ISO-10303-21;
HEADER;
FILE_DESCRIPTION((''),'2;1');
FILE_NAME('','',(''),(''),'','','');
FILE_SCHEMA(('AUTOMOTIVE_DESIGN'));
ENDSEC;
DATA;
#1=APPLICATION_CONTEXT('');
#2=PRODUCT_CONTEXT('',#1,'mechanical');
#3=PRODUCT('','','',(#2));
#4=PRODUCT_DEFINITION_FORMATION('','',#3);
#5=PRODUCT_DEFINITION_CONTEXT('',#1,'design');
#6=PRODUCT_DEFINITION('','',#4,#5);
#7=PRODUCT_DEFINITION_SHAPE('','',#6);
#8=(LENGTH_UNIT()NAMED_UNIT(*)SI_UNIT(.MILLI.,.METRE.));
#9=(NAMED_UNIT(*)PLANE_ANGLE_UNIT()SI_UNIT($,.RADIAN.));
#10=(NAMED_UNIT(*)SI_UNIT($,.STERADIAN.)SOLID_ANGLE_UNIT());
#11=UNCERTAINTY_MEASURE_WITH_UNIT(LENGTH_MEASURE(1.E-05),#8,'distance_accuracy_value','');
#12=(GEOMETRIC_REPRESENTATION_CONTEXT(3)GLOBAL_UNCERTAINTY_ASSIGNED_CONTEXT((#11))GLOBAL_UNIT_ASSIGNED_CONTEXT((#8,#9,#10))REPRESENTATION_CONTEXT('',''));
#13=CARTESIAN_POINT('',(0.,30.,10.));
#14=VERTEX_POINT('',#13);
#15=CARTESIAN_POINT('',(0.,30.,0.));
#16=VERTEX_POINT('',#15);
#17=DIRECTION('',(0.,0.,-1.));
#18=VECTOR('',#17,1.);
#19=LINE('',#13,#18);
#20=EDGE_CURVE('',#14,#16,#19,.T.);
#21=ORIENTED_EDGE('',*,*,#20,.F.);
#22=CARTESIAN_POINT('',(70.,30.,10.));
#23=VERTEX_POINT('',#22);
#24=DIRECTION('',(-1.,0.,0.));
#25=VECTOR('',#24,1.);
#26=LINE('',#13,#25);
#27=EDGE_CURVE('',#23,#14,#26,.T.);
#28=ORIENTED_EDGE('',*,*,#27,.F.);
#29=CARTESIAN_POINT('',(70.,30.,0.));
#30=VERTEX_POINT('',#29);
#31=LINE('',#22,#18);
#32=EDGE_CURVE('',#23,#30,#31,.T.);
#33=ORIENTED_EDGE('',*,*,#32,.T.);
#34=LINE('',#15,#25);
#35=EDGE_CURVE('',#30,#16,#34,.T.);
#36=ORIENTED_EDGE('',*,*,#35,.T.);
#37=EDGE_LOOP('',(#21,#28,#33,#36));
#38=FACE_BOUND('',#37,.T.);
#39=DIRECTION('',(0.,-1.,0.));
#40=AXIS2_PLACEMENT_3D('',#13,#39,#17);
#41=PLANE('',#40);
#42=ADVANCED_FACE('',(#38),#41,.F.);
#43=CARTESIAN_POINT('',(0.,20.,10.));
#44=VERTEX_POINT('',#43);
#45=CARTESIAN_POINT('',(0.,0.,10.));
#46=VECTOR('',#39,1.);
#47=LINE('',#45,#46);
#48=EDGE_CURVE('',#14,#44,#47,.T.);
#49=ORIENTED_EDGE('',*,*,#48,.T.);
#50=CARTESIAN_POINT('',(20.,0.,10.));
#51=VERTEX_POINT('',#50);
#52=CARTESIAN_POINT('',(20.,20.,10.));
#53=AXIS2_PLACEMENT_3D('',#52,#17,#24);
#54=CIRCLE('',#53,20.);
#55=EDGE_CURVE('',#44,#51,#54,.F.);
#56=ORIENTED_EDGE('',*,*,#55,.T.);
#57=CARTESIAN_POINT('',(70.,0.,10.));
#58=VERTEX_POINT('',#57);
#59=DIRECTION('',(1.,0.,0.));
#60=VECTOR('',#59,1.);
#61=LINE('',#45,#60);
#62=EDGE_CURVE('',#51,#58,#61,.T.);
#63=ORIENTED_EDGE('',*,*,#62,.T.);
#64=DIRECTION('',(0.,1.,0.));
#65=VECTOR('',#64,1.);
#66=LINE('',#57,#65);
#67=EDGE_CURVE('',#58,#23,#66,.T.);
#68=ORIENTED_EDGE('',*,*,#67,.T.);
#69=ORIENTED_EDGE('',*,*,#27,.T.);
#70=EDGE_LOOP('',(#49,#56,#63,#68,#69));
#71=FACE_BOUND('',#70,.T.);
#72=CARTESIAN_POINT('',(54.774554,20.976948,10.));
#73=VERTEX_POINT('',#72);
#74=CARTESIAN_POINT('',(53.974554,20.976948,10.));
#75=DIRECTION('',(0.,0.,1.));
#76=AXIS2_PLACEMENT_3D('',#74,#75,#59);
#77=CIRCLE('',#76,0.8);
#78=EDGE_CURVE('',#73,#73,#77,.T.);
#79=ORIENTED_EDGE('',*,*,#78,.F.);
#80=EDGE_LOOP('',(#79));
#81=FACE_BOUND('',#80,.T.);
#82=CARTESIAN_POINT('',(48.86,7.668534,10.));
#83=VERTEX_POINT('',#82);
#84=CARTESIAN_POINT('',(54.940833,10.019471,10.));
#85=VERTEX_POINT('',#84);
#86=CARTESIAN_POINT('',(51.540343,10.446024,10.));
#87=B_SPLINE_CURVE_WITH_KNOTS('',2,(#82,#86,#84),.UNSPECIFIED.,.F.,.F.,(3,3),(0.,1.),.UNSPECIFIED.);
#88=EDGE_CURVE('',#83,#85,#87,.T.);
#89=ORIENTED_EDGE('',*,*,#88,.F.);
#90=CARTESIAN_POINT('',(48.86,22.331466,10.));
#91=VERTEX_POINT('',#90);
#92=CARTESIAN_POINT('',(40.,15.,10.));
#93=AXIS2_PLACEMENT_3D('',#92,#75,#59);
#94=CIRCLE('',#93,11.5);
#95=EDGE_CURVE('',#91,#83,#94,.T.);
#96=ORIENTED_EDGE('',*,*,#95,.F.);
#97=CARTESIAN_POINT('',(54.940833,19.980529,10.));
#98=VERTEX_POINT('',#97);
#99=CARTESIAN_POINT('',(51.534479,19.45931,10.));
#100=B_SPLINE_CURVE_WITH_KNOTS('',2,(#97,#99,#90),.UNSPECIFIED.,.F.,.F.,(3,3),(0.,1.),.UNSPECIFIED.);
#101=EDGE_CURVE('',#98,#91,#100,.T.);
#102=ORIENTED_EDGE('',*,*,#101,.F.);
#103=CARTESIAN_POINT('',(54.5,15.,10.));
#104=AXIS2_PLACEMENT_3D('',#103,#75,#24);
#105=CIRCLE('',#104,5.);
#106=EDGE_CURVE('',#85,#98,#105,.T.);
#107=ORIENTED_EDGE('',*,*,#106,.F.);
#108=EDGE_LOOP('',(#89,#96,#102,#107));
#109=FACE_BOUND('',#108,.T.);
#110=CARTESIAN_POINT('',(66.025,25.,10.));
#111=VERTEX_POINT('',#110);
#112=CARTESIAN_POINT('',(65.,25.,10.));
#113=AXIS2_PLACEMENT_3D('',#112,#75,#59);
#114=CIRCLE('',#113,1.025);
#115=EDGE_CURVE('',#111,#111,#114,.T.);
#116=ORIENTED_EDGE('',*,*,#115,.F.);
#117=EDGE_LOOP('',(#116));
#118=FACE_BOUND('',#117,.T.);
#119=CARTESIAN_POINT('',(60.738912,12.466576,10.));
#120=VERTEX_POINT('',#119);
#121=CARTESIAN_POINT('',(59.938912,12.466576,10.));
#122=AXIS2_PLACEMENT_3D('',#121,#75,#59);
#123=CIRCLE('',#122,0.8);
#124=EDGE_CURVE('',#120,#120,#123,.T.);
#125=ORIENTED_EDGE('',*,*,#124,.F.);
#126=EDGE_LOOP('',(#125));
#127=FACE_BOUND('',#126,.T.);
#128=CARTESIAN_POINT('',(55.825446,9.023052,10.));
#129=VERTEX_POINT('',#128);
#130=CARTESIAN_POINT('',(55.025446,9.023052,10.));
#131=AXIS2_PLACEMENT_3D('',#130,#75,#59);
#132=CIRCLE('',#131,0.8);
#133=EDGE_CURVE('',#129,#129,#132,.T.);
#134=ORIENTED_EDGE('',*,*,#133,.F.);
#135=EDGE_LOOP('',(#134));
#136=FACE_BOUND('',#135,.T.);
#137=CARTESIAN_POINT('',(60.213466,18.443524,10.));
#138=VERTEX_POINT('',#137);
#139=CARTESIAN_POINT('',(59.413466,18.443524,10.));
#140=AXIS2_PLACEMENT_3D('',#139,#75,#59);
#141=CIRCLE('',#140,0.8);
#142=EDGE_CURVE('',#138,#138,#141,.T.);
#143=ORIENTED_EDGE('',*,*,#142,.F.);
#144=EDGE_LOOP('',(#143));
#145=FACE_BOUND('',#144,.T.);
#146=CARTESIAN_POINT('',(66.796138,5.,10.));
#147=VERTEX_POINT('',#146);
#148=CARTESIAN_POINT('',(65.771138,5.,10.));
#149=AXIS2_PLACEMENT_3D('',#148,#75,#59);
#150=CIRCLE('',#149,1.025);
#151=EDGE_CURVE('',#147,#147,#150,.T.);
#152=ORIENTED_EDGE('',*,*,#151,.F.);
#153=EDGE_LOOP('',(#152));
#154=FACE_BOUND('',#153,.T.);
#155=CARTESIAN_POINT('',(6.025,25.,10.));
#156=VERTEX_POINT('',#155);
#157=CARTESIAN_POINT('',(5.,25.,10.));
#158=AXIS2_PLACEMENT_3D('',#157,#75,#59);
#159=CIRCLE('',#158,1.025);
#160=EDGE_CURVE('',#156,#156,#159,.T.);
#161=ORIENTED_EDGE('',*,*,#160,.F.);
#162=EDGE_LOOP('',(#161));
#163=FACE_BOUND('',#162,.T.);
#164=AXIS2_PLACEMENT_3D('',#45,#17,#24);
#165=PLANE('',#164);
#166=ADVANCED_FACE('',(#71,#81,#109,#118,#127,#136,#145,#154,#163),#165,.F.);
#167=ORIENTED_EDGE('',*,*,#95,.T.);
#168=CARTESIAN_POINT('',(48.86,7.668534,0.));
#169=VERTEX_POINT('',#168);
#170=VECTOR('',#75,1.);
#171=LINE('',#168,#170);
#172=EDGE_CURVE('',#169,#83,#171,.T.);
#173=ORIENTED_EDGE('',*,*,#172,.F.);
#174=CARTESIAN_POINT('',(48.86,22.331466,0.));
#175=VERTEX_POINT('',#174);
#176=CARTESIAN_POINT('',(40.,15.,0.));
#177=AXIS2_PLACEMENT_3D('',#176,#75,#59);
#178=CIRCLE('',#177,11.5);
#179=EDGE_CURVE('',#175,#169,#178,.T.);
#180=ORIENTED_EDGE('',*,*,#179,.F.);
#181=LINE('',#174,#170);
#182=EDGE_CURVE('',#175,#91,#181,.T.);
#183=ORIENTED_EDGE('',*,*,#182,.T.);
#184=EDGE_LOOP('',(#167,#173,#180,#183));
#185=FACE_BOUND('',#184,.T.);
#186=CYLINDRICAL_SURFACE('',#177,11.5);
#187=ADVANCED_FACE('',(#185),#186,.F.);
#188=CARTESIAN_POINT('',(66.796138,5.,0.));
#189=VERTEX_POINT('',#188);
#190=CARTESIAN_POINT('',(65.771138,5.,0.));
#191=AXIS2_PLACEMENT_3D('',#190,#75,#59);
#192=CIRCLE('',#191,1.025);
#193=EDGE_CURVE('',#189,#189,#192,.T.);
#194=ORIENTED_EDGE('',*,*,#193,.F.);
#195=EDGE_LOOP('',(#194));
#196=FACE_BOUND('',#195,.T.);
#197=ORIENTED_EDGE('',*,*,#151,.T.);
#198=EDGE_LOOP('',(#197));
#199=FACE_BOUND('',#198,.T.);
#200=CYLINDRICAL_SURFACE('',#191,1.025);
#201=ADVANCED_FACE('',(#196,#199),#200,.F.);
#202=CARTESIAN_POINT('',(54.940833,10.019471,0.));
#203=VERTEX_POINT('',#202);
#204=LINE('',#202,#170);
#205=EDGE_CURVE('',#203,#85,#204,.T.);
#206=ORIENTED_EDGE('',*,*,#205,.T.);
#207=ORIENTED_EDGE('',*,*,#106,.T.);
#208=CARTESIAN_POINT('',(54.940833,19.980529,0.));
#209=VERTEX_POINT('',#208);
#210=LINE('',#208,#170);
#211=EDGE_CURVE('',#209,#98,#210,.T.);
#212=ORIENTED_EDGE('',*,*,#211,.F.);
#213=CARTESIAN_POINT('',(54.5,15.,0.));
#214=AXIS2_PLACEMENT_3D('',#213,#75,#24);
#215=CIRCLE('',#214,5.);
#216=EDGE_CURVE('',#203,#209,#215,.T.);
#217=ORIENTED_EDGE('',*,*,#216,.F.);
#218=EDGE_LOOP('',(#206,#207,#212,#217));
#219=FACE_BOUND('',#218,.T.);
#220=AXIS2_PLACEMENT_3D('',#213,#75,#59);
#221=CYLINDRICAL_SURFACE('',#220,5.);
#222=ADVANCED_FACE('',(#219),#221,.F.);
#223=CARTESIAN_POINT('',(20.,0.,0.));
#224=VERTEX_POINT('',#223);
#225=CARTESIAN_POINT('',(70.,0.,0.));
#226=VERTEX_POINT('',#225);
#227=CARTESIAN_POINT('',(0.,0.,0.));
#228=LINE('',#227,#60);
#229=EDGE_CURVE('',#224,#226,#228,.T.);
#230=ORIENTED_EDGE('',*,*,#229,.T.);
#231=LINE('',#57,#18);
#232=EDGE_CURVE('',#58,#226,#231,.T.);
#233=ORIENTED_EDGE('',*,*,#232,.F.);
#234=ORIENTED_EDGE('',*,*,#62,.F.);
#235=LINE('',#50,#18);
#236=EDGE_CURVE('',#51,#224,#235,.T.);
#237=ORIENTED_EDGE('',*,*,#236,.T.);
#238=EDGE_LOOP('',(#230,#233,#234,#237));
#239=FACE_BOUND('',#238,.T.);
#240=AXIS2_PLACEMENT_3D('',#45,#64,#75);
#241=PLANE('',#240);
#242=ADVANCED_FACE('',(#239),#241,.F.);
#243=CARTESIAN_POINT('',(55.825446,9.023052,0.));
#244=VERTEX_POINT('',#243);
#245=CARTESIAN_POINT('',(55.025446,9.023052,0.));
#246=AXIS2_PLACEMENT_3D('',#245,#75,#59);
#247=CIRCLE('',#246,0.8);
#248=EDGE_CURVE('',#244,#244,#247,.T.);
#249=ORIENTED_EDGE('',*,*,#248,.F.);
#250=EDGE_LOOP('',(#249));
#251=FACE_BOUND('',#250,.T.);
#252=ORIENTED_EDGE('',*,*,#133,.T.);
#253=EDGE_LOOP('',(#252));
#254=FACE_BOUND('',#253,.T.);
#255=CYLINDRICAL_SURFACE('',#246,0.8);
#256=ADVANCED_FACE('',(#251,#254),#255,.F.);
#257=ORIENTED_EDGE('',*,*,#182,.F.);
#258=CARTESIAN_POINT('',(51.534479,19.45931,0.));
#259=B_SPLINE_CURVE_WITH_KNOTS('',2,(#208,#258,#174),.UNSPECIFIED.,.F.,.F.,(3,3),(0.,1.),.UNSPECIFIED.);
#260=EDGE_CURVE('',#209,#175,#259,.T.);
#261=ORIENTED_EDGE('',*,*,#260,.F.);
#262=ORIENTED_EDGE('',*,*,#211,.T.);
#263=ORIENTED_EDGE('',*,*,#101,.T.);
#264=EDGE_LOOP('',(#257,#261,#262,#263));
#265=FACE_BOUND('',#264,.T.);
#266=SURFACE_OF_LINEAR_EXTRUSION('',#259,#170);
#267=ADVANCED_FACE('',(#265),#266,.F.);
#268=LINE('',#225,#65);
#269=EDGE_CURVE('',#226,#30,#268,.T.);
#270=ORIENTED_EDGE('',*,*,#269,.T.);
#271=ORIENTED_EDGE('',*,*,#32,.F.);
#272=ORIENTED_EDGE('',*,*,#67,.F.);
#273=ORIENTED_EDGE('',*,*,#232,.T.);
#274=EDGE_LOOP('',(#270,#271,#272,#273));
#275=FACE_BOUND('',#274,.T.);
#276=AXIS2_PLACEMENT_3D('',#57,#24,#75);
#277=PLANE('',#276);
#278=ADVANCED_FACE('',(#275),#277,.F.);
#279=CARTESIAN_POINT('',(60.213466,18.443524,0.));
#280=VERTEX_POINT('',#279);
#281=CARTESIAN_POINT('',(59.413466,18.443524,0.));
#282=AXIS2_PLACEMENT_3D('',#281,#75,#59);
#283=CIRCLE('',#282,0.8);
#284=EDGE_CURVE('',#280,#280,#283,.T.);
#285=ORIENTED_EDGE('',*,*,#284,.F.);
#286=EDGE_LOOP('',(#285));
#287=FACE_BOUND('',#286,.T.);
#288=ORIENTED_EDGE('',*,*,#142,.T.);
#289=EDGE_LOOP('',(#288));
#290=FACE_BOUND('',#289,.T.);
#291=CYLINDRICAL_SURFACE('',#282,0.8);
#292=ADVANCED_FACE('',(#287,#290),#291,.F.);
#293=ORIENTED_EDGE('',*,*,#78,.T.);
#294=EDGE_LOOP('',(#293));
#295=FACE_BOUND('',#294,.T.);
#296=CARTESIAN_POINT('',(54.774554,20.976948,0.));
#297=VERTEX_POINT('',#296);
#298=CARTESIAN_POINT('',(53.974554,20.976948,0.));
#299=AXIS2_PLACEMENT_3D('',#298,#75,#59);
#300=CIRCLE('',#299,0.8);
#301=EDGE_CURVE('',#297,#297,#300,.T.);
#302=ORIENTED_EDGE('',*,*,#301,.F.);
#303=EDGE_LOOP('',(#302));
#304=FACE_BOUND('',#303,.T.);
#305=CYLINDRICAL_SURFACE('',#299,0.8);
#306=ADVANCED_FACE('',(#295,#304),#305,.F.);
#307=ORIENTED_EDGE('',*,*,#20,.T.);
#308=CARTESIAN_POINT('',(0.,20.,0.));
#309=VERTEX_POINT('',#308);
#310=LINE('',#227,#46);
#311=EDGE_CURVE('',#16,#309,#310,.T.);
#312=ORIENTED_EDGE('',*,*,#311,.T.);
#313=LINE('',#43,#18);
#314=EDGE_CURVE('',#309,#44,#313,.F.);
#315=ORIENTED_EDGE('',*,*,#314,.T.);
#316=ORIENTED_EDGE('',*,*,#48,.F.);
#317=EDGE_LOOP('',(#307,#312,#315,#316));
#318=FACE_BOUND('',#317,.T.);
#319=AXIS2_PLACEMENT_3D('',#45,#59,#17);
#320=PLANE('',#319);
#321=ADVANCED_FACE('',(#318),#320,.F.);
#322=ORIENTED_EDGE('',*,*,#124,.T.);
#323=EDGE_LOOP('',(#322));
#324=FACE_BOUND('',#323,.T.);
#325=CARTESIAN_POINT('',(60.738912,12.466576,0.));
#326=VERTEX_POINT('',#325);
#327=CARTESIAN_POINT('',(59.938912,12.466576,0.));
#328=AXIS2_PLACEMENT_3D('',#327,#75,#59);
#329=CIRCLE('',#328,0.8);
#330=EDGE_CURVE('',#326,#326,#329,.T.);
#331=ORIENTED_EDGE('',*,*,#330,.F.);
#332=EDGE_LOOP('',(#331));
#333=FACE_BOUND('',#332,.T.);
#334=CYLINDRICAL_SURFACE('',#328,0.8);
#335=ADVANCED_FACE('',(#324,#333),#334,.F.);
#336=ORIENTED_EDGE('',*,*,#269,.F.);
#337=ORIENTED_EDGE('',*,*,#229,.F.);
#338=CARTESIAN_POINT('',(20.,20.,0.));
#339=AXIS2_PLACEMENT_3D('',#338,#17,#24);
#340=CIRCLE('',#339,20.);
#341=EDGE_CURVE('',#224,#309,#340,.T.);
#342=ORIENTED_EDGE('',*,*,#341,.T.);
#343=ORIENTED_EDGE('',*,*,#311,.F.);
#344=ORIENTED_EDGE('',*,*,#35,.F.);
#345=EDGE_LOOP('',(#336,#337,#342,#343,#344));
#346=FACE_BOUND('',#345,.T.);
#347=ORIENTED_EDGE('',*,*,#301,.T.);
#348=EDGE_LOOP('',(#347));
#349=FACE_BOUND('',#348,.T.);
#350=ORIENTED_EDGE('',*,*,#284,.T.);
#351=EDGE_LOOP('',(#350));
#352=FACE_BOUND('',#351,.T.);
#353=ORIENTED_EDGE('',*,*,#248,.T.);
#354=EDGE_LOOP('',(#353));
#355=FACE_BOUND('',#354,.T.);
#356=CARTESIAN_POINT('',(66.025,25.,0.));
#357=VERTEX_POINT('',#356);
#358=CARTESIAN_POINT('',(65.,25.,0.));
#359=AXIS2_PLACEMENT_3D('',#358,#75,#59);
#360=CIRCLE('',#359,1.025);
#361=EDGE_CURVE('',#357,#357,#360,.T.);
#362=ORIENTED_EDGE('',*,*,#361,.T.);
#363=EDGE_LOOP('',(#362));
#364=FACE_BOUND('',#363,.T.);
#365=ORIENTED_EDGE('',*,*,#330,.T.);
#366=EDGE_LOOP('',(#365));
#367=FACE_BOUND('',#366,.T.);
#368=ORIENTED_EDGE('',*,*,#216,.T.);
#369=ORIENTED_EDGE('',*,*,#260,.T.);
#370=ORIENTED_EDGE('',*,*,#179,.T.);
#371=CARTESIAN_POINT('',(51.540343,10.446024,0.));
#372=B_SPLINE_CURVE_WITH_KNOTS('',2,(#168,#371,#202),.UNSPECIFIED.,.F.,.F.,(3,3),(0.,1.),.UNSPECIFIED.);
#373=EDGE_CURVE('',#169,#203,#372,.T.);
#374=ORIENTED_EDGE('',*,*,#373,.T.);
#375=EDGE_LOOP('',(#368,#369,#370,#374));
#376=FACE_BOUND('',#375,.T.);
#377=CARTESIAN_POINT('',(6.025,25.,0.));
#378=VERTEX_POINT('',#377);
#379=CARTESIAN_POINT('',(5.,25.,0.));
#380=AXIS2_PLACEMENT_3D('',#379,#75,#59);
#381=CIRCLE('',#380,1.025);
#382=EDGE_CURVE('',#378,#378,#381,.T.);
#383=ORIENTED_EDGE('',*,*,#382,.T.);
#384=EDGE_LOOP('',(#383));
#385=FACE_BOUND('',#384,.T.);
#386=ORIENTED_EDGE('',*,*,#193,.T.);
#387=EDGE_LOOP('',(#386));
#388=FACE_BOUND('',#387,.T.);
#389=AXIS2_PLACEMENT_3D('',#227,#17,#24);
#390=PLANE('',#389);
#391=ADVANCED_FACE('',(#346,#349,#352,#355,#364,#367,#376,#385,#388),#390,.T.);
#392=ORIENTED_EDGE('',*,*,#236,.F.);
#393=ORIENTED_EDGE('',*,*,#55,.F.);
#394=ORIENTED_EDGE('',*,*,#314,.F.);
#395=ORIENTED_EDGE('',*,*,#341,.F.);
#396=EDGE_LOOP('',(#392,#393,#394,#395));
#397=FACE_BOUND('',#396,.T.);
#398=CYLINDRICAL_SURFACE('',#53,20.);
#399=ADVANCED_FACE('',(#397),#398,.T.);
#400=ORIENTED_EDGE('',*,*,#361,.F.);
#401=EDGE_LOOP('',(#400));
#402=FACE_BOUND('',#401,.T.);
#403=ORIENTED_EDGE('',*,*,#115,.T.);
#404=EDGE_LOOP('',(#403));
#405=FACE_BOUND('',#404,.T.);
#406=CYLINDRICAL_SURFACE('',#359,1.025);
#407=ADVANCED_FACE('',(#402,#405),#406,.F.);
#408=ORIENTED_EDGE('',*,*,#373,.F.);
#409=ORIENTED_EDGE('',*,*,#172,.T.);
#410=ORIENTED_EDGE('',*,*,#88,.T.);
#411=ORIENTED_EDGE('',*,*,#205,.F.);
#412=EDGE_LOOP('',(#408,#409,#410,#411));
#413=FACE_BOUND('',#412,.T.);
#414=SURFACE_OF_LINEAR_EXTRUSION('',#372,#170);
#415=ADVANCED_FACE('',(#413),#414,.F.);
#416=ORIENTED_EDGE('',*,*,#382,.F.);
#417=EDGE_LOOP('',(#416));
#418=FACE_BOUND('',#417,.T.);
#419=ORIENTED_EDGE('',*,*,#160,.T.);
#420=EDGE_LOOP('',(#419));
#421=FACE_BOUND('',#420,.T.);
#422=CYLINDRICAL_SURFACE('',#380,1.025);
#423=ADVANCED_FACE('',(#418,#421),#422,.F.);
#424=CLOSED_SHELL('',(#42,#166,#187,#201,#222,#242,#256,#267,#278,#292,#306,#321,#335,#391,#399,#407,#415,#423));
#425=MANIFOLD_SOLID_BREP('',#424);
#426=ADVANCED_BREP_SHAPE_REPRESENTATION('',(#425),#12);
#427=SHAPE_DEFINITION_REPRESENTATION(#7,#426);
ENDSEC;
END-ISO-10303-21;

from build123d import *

# Parameters (mm, degrees)
ESQUISSE1_W             = 70
ESQUISSE1_H             = 30
BOSS_EXTRU_1_DEPTH      = 10
ESQUISSE2_R             = 0.8
ENL_V_MAT_EXTRU_1_DEPTH = 77.811457479
ESQUISSE3_R             = 1.025
ENL_V_MAT_EXTRU_2_DEPTH = 77.811457622
CONG_2_R                = 20


with BuildPart() as part:
    # Esquisse1 → Boss.-Extru.1 (new body)
    with BuildSketch(Plane.XY):
        with Locations((35, 15)):
            Rectangle(ESQUISSE1_W, ESQUISSE1_H)
    extrude(amount=BOSS_EXTRU_1_DEPTH)

    # Esquisse2 → Enlèv. mat.-Extru.1 (cut, through all)
    with BuildSketch(Plane.XY.offset(10)):
        with Locations((53.974554028, 20.976947928)):
            Circle(ESQUISSE2_R)
        with Locations((59.413465757, 18.443523524)):
            Circle(ESQUISSE2_R)
        with Locations((59.938911728, 12.466575596)):
            Circle(ESQUISSE2_R)
        with Locations((55.025445972, 9.023052072)):
            Circle(ESQUISSE2_R)
        with BuildLine():
            ThreePointArc((54.940833126, 19.980528702), (59.5, 15), (54.940833126, 10.019471298))
            add(Edge.make_bspline(
                [(48.86, 7.668533571), (51.540343022, 10.446024006), (54.940833126, 10.019471298)],
                knots=[0, 0, 0, 1, 1, 1], degree=2))
            ThreePointArc((48.86, 7.668533571), (28.5, 15), (48.86, 22.331466429))
            add(Edge.make_bspline(
                [(48.86, 22.331466429), (51.534478996, 19.459310032), (54.940833126, 19.980528702)],
                knots=[0, 0, 0, 1, 1, 1], degree=2))
        make_face()
    extrude(amount=-ENL_V_MAT_EXTRU_1_DEPTH, mode=Mode.SUBTRACT)

    # Esquisse3 → Enlèv. mat.-Extru.2 (cut, through all)
    with BuildSketch(Plane.XY.offset(10)):
        with Locations((5, 25)):
            Circle(ESQUISSE3_R)
        with Locations((65.771138483, 5)):
            Circle(ESQUISSE3_R)
        with Locations((65, 25)):
            Circle(ESQUISSE3_R)
    extrude(amount=-ENL_V_MAT_EXTRU_2_DEPTH, mode=Mode.SUBTRACT)

    # Congé2
    cong_2_edges = [part.edges().sort_by_distance(p)[0] for p in [
        (0, 0, 5),
    ]]
    fillet(cong_2_edges, radius=CONG_2_R)


solid = part.part
